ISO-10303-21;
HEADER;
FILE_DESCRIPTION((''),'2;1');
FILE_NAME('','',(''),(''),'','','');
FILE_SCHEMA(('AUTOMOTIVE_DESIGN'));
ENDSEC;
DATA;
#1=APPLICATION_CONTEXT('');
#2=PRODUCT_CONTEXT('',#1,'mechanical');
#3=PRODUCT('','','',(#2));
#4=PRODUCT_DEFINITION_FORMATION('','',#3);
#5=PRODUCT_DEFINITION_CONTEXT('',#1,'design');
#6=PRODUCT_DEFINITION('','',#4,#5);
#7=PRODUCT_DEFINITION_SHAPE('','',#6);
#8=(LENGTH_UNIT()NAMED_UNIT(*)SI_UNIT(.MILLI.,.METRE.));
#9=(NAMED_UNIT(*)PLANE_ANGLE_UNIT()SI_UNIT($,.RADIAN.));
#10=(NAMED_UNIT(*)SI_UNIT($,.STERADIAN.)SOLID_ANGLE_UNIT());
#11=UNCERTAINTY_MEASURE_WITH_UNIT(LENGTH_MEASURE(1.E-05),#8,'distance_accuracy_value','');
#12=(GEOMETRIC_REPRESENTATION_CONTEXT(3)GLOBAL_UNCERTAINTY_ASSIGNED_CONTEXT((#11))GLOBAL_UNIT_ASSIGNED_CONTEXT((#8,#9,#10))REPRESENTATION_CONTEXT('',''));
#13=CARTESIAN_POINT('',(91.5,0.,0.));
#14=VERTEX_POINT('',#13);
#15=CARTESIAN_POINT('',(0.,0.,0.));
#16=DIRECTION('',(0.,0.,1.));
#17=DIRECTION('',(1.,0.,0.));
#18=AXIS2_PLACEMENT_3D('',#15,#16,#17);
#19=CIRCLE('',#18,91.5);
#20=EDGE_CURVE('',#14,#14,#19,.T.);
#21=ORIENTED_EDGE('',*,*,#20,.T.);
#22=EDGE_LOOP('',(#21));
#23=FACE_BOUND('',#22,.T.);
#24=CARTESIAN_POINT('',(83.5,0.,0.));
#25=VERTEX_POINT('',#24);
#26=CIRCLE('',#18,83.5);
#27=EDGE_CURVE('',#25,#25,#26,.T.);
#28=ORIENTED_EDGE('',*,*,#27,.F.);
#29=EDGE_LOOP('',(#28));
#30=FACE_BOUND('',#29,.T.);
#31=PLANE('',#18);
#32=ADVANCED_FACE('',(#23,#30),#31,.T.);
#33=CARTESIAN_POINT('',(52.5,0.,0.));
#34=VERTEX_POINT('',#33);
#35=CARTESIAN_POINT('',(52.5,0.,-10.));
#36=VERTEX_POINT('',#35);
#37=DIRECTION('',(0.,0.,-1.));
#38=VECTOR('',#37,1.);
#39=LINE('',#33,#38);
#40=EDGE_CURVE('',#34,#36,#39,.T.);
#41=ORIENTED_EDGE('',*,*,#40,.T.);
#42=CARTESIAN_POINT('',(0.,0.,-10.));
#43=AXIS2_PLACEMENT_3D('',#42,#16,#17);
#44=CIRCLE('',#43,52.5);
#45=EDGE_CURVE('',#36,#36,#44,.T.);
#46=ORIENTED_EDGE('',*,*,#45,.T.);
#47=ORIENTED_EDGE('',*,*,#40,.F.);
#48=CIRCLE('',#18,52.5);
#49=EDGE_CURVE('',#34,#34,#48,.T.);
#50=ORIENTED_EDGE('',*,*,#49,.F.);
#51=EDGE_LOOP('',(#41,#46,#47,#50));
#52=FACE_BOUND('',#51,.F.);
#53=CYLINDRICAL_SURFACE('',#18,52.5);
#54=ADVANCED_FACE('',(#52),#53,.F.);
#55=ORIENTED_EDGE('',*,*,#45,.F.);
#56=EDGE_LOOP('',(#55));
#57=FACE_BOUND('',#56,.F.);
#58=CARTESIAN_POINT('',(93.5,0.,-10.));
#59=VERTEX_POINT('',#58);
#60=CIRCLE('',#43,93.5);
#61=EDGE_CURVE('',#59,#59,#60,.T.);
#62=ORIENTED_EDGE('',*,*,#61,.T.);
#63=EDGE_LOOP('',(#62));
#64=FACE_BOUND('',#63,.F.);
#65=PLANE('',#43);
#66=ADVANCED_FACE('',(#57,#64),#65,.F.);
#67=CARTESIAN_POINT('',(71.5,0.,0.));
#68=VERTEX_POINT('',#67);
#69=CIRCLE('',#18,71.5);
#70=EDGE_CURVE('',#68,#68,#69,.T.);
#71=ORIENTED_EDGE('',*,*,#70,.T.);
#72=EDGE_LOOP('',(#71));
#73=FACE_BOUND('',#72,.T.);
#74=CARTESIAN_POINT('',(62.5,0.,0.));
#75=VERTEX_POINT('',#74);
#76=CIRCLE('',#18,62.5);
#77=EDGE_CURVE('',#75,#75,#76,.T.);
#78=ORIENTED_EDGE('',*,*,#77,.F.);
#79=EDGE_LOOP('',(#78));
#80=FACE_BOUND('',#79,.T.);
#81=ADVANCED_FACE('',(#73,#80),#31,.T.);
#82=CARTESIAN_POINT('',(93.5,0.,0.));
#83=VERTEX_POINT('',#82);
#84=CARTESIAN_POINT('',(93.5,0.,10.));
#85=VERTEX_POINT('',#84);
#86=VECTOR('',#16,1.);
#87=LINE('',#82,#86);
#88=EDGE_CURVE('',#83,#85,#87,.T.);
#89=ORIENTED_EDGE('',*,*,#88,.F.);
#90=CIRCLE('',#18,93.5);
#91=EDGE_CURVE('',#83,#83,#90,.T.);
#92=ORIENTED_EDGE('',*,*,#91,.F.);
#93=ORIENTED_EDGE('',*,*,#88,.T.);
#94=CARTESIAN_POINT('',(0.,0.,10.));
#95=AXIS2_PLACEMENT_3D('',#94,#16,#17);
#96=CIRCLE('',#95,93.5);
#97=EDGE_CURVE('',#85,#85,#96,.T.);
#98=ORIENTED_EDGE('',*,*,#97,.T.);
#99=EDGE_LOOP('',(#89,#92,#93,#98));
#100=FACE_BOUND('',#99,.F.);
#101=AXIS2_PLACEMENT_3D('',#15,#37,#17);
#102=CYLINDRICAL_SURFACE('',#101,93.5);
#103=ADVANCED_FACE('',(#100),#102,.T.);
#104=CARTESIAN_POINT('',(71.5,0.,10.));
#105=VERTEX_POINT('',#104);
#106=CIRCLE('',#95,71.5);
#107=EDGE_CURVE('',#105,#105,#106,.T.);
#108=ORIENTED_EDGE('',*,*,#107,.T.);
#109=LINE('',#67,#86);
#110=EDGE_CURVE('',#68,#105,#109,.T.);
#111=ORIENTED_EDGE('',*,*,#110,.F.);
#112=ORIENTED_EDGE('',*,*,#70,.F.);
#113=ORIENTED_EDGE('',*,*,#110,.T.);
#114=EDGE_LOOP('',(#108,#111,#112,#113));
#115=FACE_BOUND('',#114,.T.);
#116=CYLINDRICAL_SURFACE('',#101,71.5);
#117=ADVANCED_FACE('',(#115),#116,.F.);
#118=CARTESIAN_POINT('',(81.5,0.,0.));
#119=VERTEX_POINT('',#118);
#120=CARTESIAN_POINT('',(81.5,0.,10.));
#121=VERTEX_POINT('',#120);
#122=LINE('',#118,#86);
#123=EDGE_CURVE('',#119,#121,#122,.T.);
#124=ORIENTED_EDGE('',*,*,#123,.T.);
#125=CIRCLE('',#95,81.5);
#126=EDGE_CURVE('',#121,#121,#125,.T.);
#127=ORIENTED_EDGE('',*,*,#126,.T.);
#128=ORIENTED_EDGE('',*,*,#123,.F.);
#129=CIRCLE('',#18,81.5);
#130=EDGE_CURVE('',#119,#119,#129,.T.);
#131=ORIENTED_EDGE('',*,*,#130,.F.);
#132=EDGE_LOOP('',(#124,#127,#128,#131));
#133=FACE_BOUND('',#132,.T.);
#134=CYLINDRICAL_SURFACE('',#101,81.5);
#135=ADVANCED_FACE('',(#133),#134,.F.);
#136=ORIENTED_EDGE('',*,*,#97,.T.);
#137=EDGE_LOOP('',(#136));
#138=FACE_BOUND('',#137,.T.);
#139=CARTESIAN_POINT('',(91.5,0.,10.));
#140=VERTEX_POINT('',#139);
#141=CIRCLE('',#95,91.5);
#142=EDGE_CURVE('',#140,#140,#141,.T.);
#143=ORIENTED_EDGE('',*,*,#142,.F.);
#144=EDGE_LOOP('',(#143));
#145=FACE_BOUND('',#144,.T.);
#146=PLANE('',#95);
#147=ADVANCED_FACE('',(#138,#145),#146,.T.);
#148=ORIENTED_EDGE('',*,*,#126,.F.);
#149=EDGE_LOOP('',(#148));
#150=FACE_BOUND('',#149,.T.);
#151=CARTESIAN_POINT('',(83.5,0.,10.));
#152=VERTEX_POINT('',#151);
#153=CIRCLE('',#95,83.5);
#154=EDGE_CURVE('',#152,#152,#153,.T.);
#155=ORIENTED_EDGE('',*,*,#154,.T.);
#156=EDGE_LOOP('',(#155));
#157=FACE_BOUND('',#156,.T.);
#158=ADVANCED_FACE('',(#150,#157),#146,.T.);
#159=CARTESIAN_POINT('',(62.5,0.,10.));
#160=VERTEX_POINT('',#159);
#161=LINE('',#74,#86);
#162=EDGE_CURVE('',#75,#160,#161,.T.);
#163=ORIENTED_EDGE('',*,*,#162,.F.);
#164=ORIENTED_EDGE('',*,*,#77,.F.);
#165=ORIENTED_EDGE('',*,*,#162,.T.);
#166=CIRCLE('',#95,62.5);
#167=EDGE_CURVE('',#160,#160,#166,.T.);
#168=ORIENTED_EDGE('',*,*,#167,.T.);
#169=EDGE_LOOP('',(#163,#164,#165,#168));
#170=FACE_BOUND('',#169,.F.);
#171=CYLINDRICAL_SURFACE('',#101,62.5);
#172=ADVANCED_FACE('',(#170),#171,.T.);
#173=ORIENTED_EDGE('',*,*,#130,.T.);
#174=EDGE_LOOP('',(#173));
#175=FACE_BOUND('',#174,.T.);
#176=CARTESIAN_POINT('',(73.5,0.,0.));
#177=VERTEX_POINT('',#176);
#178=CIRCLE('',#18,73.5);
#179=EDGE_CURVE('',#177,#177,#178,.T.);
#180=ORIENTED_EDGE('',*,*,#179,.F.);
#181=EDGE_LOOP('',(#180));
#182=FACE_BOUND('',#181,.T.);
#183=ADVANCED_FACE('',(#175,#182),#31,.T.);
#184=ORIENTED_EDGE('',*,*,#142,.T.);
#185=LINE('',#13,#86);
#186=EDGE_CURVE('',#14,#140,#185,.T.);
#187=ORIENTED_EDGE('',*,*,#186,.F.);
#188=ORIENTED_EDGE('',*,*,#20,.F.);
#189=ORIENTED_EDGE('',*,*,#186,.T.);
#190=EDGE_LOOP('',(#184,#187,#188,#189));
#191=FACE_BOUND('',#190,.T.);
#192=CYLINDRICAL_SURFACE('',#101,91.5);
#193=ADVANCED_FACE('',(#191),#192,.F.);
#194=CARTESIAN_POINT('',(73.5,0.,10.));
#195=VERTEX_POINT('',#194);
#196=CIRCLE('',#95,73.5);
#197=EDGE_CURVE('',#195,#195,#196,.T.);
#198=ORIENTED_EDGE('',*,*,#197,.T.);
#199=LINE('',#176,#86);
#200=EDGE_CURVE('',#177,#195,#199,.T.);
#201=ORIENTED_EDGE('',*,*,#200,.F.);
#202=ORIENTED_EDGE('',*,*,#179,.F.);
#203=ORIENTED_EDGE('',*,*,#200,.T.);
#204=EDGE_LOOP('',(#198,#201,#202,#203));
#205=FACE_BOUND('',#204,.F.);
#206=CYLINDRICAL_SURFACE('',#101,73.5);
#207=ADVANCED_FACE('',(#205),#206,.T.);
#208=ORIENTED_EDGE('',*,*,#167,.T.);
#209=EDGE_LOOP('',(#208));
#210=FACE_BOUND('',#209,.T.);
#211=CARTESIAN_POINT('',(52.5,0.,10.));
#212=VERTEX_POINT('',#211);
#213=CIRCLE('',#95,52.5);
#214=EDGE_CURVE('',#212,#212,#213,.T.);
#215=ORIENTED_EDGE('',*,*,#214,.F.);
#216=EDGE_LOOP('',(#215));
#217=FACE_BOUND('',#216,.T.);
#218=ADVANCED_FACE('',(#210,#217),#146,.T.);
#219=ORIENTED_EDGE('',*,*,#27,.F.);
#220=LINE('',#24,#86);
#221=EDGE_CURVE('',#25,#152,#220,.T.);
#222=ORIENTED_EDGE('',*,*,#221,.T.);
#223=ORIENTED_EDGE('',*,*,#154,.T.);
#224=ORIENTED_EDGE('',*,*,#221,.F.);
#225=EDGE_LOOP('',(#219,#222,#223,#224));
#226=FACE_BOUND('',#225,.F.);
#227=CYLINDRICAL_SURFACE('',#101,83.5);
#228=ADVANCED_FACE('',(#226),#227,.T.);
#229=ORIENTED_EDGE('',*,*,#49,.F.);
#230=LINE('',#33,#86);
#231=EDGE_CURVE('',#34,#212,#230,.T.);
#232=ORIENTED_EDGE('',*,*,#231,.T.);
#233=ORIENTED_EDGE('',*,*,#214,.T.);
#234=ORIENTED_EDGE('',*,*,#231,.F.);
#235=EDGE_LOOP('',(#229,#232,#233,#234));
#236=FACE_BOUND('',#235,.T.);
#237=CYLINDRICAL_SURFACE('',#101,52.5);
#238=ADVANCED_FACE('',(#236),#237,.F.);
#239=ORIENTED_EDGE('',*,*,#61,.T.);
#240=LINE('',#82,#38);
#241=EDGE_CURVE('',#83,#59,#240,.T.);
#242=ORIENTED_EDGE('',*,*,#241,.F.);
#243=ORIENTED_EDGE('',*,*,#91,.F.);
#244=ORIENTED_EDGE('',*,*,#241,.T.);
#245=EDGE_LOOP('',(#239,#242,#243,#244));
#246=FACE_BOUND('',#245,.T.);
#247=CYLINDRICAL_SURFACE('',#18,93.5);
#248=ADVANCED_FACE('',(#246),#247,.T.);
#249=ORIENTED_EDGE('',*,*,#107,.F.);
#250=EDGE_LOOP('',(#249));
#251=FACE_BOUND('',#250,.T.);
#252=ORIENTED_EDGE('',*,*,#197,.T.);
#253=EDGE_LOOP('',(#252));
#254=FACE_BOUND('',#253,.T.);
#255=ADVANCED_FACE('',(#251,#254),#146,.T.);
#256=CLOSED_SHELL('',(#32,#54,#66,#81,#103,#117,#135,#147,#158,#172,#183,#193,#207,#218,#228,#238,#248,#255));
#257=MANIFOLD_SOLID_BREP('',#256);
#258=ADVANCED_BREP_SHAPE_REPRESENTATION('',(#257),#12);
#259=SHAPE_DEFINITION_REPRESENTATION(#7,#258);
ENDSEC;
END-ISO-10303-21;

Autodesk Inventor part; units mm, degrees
ref_plane "YZ Plane" through (0, 0, 0) normal (1, 0, 0) x (0, 1, 0)
ref_plane "XZ Plane" through (0, 0, 0) normal (0, 1, 0) x (-1, 0, 0)
sketch "Sketch1" plane through (0, 0, 0) normal (0, 0, 1) x (1, 0, 0)
  circle A0 centre (0, 0) radius 71.5
  circle A1 centre (0, 0) radius 73.5
  circle A2 centre (0, 0) radius 81.5
  circle A3 centre (0, 0) radius 83.5
  circle A4 centre (0, 0) radius 91.5
  circle A5 centre (0, 0) radius 93.5
  circle A6 centre (0, 0) radius 52.5
  circle A7 centre (0, 0) radius 62.5
  dimension "d0" = 143
  dimension "d1" = 147
  dimension "d2" = 163
  dimension "d3" = 167
  dimension "d4" = 183
  dimension "d5" = 187
  dimension "d6" = 105
  dimension "d7" = 125
extrude "Extrusion1" add sketch "Sketch1" along normal blind 10
extrude "Extrusion2" add sketch "Sketch1" against normal blind 10 contours A0 | A1 | A2 | A3 | A4 | A5 | A6 | A7
extrude "Extrusion3" cut sketch "Sketch1" against normal blind 10 contours A6
ref_plane "Work Plane4" through (0, 0, -5) normal (0, 0, 1) x (1, 0, 0)
ref_plane "Work Plane3" through (0, 0, 0) normal (0, 0, 1) x (1, 0, 0)
sketch "Sketch3" plane through (0, 0, 10) normal (0, 0, 1) x (1, 0, 0)
  circle A0 centre (0, 0) radius 61
  dimension "d18" = 122
sketch "Sketch4" plane through (0, 0, 5) normal (0, 0, 1) x (1, 0, 0)
  circle A0 centre (0, 0) radius 61
  dimension "d19" = 122
sketch "Sketch5" plane through (0, 0, 0) normal (0, 0, 1) x (1, 0, 0)
  circle A0 centre (0, 0) radius 61
  dimension "d20" = 122
ref_plane "Work Plane1" through (0, 0, 10) normal (0, 0, 1) x (1, 0, 0)
ref_plane "Work Plane2" through (0, 0, 5) normal (0, 0, 1) x (1, 0, 0)
properties part number "labyrinth"
